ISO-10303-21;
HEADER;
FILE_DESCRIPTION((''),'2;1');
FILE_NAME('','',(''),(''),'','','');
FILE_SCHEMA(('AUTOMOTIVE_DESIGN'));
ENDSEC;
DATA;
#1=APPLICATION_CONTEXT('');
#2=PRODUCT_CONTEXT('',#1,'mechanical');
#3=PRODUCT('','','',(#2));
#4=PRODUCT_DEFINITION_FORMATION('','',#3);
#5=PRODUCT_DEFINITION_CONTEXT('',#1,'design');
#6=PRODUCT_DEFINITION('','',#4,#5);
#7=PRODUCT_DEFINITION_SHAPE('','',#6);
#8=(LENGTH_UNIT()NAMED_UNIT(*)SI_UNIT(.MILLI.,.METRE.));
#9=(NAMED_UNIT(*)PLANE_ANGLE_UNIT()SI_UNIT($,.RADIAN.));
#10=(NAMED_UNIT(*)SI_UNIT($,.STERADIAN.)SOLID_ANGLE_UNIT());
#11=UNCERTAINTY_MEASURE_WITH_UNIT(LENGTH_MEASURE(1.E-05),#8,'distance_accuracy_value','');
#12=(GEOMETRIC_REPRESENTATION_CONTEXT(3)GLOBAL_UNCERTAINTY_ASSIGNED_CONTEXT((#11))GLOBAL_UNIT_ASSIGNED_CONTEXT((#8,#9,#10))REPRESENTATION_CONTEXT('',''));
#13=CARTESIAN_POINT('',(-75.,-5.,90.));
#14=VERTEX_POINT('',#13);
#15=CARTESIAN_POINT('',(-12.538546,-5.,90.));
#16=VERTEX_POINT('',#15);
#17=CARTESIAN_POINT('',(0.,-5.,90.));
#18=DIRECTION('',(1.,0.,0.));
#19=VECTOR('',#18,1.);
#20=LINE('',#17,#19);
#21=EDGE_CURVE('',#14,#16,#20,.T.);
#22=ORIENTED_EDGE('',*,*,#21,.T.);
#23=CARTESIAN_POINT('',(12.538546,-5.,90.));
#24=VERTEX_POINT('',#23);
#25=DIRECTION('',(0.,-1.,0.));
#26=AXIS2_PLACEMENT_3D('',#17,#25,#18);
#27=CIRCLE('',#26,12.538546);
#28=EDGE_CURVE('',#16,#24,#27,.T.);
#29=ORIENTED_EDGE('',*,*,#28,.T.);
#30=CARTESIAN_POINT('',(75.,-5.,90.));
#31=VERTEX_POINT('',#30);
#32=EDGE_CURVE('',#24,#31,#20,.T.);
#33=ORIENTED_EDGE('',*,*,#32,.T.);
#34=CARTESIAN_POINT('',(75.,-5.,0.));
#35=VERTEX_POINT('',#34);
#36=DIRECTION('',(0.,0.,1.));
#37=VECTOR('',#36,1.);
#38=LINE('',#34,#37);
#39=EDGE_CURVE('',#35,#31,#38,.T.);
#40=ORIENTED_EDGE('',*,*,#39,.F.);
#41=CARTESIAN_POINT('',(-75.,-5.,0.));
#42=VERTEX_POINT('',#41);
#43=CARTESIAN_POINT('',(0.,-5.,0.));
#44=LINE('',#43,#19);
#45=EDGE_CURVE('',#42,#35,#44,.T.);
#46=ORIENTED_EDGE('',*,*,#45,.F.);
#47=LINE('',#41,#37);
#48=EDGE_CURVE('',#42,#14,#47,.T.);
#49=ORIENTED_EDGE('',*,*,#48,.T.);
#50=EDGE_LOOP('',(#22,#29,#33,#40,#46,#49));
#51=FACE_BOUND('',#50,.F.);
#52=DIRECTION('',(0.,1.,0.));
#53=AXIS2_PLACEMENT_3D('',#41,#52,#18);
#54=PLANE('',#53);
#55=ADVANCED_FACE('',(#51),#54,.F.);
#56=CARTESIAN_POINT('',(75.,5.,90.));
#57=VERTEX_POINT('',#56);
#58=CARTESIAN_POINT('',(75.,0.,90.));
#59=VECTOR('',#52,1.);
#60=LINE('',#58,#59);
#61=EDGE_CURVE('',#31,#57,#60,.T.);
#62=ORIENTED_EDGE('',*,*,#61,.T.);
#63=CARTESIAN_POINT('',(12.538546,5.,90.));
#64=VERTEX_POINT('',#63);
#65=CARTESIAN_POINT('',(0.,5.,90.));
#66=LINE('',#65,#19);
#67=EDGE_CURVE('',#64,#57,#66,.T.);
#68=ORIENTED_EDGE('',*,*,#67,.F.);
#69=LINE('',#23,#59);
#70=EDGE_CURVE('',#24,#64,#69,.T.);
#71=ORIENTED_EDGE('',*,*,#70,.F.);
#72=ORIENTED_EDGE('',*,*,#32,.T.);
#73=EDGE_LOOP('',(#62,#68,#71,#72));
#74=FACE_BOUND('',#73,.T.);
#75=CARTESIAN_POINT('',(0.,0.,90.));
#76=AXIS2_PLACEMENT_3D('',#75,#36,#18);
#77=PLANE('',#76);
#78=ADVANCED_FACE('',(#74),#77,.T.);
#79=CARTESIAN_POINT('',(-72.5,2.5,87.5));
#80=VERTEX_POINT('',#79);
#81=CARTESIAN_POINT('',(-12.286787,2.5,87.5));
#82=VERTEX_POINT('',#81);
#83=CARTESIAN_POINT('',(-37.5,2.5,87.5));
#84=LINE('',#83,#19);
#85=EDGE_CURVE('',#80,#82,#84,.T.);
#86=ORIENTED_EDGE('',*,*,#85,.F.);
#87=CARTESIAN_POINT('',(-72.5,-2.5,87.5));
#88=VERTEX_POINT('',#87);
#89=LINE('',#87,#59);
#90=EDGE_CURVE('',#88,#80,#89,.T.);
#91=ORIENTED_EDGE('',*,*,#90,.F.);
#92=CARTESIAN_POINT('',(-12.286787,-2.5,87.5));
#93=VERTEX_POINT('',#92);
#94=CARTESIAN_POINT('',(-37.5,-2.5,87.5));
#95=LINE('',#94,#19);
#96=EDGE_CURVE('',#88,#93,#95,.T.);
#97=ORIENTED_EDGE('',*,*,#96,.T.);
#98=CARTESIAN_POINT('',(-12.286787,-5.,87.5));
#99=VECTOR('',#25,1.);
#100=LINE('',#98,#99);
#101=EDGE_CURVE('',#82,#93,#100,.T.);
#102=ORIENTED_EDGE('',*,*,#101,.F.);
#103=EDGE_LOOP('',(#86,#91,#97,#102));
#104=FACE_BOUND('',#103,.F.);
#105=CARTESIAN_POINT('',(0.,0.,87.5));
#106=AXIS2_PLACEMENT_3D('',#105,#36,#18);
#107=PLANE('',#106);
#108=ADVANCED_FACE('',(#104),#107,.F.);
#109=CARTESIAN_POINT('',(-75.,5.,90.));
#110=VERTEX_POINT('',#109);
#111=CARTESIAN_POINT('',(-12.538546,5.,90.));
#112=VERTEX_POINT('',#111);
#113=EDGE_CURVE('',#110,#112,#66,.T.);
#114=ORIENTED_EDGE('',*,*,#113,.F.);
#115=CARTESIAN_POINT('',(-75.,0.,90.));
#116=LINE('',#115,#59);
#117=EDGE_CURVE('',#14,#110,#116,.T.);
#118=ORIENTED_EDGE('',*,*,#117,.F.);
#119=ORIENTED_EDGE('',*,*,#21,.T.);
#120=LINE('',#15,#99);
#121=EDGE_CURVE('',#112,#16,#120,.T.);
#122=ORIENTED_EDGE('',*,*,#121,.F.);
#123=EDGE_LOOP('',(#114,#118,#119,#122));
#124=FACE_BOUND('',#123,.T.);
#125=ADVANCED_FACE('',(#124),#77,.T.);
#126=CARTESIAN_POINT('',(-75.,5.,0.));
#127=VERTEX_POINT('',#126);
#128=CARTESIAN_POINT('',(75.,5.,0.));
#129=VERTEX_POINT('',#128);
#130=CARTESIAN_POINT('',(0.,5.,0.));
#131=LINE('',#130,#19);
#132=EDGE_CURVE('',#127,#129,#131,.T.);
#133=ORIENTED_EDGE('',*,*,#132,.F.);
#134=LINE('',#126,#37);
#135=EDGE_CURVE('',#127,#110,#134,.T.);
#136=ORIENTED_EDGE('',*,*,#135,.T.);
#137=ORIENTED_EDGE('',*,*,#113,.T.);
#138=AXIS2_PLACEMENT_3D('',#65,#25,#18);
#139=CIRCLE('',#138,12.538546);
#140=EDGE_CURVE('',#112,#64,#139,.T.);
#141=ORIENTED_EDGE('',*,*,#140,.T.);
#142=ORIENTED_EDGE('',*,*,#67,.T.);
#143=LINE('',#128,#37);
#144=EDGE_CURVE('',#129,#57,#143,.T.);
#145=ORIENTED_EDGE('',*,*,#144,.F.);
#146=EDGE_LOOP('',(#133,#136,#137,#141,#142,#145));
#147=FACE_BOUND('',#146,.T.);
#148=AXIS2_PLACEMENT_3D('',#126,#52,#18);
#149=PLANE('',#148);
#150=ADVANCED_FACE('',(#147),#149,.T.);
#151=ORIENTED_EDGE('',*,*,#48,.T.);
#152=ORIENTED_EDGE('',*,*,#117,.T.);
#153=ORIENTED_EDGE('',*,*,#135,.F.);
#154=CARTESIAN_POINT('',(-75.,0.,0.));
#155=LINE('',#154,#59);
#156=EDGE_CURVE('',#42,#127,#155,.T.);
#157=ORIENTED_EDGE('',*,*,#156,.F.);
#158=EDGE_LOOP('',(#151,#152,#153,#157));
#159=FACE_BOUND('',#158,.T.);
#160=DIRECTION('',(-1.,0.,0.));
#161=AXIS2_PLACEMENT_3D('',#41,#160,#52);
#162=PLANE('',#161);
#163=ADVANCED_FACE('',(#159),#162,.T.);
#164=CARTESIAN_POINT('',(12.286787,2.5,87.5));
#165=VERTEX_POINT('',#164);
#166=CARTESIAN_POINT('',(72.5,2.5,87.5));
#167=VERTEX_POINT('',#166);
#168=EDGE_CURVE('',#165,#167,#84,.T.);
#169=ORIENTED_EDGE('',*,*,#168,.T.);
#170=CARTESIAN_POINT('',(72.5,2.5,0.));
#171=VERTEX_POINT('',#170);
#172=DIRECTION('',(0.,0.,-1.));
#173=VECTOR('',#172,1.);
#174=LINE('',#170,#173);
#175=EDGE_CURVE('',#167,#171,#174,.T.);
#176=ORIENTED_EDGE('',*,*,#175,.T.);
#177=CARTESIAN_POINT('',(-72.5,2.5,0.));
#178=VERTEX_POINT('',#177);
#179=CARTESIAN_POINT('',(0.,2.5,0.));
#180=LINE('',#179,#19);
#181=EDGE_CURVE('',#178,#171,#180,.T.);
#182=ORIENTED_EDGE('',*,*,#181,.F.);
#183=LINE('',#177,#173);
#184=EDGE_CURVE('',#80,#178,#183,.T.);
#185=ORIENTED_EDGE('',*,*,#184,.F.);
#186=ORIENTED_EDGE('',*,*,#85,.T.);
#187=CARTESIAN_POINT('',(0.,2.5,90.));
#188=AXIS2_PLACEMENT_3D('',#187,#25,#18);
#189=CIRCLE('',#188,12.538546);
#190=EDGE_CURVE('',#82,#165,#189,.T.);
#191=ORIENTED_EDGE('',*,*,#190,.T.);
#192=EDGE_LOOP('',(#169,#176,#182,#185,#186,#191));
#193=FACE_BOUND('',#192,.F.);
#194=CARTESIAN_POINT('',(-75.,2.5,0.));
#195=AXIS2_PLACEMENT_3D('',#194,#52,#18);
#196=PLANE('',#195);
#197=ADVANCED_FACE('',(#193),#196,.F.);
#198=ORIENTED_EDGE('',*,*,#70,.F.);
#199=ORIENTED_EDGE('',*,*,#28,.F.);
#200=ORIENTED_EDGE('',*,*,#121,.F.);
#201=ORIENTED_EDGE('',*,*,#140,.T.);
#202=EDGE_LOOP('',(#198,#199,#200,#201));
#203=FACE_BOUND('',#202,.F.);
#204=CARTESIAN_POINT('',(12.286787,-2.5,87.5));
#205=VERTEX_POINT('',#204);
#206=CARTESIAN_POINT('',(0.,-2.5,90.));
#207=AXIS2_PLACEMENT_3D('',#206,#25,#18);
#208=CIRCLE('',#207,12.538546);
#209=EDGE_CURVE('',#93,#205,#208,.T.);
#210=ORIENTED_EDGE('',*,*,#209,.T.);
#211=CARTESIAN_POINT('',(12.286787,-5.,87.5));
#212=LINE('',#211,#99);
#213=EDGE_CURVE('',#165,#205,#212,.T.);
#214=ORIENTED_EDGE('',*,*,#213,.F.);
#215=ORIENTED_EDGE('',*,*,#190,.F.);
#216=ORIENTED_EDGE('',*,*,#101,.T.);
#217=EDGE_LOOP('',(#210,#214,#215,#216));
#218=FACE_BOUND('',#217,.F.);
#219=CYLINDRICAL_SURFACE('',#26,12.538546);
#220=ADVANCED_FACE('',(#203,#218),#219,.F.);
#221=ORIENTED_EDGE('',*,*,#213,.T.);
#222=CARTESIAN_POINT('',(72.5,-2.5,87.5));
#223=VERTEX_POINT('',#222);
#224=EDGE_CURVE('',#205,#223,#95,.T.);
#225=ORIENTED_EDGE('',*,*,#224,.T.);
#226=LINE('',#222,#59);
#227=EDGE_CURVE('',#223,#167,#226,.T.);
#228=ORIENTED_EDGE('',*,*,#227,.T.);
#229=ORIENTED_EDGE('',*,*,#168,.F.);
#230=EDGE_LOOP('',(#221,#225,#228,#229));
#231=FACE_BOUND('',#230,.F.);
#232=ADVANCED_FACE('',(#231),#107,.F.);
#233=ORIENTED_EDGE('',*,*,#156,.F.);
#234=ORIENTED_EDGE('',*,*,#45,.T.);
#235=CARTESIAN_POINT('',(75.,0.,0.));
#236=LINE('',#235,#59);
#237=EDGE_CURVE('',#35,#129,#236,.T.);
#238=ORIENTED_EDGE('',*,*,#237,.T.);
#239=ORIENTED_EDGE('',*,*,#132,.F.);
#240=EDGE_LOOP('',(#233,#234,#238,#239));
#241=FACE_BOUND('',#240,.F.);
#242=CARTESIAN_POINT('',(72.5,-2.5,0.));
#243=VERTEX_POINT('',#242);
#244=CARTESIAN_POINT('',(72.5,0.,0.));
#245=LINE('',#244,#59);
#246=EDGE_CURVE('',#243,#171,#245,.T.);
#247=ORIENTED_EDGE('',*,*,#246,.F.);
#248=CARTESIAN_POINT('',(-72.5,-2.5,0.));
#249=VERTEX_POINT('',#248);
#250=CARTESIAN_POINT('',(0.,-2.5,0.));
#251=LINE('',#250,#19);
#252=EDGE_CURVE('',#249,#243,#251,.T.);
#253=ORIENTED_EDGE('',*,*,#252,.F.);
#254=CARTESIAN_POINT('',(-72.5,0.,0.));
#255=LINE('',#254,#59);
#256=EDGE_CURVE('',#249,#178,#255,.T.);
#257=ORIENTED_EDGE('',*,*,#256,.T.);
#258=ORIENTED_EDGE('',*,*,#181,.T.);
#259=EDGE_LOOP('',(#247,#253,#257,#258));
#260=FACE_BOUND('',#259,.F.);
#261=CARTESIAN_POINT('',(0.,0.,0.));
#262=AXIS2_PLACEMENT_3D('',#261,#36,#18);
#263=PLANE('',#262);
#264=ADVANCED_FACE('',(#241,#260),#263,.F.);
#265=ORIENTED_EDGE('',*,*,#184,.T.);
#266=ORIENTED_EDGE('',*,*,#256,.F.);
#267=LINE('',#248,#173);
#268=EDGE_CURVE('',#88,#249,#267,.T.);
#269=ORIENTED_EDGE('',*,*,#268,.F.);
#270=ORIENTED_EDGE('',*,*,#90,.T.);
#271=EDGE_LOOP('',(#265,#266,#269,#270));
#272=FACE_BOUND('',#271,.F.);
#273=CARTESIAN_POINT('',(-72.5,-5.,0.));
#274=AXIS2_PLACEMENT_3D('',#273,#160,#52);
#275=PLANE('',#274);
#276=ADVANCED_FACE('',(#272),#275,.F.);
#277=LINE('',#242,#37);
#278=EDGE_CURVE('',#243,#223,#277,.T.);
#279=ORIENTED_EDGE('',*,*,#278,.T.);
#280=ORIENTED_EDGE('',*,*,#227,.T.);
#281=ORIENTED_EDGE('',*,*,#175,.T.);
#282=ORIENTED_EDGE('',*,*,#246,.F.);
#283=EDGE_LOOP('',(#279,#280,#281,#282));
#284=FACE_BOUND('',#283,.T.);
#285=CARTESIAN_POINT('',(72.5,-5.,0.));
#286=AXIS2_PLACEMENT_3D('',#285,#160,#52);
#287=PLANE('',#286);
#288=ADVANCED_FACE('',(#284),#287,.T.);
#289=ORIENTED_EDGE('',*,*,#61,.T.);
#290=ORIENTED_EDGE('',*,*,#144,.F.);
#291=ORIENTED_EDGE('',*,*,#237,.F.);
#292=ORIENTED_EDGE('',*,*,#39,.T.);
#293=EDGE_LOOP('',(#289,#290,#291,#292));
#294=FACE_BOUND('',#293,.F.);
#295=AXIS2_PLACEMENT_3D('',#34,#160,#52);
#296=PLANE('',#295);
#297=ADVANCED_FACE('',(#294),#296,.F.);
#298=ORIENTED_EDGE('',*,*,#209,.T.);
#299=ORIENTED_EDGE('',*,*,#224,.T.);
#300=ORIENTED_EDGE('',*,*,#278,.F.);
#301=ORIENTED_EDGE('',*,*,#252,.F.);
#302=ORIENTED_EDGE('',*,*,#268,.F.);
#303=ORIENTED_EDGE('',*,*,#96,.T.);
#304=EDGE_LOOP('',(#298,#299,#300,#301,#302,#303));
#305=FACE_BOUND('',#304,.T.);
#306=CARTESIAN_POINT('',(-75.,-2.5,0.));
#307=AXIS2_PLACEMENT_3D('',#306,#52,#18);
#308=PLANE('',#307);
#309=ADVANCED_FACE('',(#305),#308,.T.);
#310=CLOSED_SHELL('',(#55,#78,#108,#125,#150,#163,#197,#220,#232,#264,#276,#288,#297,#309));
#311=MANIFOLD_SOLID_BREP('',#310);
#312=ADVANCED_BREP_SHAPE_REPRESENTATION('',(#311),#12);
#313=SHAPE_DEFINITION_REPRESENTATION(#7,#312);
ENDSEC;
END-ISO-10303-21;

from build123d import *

# Parameters (mm, degrees)
F0_W     = 150
F0_H     = 10
F1_DEPTH = 90
F2_T     = -2.5
F3_R     = 12.538546
F4_DEPTH = 25


with BuildPart() as f1:
    # F0 (on Top) → F1 (new body)
    with BuildSketch(Plane.XY):
        Rectangle(F0_W, F0_H)
    extrude(amount=F1_DEPTH)

    # F2
    f2_openings = [f1.faces().sort_by_distance(p)[0] for p in [
        (0, 0, 0),
    ]]
    offset(amount=F2_T, openings=f2_openings)

    # F3 (on face) → F4 (cut)
    with BuildSketch(Plane.XZ.offset(5)):
        with Locations((0, 90)):
            Circle(F3_R)
    extrude(amount=-F4_DEPTH, mode=Mode.SUBTRACT)


solid = f1.part
